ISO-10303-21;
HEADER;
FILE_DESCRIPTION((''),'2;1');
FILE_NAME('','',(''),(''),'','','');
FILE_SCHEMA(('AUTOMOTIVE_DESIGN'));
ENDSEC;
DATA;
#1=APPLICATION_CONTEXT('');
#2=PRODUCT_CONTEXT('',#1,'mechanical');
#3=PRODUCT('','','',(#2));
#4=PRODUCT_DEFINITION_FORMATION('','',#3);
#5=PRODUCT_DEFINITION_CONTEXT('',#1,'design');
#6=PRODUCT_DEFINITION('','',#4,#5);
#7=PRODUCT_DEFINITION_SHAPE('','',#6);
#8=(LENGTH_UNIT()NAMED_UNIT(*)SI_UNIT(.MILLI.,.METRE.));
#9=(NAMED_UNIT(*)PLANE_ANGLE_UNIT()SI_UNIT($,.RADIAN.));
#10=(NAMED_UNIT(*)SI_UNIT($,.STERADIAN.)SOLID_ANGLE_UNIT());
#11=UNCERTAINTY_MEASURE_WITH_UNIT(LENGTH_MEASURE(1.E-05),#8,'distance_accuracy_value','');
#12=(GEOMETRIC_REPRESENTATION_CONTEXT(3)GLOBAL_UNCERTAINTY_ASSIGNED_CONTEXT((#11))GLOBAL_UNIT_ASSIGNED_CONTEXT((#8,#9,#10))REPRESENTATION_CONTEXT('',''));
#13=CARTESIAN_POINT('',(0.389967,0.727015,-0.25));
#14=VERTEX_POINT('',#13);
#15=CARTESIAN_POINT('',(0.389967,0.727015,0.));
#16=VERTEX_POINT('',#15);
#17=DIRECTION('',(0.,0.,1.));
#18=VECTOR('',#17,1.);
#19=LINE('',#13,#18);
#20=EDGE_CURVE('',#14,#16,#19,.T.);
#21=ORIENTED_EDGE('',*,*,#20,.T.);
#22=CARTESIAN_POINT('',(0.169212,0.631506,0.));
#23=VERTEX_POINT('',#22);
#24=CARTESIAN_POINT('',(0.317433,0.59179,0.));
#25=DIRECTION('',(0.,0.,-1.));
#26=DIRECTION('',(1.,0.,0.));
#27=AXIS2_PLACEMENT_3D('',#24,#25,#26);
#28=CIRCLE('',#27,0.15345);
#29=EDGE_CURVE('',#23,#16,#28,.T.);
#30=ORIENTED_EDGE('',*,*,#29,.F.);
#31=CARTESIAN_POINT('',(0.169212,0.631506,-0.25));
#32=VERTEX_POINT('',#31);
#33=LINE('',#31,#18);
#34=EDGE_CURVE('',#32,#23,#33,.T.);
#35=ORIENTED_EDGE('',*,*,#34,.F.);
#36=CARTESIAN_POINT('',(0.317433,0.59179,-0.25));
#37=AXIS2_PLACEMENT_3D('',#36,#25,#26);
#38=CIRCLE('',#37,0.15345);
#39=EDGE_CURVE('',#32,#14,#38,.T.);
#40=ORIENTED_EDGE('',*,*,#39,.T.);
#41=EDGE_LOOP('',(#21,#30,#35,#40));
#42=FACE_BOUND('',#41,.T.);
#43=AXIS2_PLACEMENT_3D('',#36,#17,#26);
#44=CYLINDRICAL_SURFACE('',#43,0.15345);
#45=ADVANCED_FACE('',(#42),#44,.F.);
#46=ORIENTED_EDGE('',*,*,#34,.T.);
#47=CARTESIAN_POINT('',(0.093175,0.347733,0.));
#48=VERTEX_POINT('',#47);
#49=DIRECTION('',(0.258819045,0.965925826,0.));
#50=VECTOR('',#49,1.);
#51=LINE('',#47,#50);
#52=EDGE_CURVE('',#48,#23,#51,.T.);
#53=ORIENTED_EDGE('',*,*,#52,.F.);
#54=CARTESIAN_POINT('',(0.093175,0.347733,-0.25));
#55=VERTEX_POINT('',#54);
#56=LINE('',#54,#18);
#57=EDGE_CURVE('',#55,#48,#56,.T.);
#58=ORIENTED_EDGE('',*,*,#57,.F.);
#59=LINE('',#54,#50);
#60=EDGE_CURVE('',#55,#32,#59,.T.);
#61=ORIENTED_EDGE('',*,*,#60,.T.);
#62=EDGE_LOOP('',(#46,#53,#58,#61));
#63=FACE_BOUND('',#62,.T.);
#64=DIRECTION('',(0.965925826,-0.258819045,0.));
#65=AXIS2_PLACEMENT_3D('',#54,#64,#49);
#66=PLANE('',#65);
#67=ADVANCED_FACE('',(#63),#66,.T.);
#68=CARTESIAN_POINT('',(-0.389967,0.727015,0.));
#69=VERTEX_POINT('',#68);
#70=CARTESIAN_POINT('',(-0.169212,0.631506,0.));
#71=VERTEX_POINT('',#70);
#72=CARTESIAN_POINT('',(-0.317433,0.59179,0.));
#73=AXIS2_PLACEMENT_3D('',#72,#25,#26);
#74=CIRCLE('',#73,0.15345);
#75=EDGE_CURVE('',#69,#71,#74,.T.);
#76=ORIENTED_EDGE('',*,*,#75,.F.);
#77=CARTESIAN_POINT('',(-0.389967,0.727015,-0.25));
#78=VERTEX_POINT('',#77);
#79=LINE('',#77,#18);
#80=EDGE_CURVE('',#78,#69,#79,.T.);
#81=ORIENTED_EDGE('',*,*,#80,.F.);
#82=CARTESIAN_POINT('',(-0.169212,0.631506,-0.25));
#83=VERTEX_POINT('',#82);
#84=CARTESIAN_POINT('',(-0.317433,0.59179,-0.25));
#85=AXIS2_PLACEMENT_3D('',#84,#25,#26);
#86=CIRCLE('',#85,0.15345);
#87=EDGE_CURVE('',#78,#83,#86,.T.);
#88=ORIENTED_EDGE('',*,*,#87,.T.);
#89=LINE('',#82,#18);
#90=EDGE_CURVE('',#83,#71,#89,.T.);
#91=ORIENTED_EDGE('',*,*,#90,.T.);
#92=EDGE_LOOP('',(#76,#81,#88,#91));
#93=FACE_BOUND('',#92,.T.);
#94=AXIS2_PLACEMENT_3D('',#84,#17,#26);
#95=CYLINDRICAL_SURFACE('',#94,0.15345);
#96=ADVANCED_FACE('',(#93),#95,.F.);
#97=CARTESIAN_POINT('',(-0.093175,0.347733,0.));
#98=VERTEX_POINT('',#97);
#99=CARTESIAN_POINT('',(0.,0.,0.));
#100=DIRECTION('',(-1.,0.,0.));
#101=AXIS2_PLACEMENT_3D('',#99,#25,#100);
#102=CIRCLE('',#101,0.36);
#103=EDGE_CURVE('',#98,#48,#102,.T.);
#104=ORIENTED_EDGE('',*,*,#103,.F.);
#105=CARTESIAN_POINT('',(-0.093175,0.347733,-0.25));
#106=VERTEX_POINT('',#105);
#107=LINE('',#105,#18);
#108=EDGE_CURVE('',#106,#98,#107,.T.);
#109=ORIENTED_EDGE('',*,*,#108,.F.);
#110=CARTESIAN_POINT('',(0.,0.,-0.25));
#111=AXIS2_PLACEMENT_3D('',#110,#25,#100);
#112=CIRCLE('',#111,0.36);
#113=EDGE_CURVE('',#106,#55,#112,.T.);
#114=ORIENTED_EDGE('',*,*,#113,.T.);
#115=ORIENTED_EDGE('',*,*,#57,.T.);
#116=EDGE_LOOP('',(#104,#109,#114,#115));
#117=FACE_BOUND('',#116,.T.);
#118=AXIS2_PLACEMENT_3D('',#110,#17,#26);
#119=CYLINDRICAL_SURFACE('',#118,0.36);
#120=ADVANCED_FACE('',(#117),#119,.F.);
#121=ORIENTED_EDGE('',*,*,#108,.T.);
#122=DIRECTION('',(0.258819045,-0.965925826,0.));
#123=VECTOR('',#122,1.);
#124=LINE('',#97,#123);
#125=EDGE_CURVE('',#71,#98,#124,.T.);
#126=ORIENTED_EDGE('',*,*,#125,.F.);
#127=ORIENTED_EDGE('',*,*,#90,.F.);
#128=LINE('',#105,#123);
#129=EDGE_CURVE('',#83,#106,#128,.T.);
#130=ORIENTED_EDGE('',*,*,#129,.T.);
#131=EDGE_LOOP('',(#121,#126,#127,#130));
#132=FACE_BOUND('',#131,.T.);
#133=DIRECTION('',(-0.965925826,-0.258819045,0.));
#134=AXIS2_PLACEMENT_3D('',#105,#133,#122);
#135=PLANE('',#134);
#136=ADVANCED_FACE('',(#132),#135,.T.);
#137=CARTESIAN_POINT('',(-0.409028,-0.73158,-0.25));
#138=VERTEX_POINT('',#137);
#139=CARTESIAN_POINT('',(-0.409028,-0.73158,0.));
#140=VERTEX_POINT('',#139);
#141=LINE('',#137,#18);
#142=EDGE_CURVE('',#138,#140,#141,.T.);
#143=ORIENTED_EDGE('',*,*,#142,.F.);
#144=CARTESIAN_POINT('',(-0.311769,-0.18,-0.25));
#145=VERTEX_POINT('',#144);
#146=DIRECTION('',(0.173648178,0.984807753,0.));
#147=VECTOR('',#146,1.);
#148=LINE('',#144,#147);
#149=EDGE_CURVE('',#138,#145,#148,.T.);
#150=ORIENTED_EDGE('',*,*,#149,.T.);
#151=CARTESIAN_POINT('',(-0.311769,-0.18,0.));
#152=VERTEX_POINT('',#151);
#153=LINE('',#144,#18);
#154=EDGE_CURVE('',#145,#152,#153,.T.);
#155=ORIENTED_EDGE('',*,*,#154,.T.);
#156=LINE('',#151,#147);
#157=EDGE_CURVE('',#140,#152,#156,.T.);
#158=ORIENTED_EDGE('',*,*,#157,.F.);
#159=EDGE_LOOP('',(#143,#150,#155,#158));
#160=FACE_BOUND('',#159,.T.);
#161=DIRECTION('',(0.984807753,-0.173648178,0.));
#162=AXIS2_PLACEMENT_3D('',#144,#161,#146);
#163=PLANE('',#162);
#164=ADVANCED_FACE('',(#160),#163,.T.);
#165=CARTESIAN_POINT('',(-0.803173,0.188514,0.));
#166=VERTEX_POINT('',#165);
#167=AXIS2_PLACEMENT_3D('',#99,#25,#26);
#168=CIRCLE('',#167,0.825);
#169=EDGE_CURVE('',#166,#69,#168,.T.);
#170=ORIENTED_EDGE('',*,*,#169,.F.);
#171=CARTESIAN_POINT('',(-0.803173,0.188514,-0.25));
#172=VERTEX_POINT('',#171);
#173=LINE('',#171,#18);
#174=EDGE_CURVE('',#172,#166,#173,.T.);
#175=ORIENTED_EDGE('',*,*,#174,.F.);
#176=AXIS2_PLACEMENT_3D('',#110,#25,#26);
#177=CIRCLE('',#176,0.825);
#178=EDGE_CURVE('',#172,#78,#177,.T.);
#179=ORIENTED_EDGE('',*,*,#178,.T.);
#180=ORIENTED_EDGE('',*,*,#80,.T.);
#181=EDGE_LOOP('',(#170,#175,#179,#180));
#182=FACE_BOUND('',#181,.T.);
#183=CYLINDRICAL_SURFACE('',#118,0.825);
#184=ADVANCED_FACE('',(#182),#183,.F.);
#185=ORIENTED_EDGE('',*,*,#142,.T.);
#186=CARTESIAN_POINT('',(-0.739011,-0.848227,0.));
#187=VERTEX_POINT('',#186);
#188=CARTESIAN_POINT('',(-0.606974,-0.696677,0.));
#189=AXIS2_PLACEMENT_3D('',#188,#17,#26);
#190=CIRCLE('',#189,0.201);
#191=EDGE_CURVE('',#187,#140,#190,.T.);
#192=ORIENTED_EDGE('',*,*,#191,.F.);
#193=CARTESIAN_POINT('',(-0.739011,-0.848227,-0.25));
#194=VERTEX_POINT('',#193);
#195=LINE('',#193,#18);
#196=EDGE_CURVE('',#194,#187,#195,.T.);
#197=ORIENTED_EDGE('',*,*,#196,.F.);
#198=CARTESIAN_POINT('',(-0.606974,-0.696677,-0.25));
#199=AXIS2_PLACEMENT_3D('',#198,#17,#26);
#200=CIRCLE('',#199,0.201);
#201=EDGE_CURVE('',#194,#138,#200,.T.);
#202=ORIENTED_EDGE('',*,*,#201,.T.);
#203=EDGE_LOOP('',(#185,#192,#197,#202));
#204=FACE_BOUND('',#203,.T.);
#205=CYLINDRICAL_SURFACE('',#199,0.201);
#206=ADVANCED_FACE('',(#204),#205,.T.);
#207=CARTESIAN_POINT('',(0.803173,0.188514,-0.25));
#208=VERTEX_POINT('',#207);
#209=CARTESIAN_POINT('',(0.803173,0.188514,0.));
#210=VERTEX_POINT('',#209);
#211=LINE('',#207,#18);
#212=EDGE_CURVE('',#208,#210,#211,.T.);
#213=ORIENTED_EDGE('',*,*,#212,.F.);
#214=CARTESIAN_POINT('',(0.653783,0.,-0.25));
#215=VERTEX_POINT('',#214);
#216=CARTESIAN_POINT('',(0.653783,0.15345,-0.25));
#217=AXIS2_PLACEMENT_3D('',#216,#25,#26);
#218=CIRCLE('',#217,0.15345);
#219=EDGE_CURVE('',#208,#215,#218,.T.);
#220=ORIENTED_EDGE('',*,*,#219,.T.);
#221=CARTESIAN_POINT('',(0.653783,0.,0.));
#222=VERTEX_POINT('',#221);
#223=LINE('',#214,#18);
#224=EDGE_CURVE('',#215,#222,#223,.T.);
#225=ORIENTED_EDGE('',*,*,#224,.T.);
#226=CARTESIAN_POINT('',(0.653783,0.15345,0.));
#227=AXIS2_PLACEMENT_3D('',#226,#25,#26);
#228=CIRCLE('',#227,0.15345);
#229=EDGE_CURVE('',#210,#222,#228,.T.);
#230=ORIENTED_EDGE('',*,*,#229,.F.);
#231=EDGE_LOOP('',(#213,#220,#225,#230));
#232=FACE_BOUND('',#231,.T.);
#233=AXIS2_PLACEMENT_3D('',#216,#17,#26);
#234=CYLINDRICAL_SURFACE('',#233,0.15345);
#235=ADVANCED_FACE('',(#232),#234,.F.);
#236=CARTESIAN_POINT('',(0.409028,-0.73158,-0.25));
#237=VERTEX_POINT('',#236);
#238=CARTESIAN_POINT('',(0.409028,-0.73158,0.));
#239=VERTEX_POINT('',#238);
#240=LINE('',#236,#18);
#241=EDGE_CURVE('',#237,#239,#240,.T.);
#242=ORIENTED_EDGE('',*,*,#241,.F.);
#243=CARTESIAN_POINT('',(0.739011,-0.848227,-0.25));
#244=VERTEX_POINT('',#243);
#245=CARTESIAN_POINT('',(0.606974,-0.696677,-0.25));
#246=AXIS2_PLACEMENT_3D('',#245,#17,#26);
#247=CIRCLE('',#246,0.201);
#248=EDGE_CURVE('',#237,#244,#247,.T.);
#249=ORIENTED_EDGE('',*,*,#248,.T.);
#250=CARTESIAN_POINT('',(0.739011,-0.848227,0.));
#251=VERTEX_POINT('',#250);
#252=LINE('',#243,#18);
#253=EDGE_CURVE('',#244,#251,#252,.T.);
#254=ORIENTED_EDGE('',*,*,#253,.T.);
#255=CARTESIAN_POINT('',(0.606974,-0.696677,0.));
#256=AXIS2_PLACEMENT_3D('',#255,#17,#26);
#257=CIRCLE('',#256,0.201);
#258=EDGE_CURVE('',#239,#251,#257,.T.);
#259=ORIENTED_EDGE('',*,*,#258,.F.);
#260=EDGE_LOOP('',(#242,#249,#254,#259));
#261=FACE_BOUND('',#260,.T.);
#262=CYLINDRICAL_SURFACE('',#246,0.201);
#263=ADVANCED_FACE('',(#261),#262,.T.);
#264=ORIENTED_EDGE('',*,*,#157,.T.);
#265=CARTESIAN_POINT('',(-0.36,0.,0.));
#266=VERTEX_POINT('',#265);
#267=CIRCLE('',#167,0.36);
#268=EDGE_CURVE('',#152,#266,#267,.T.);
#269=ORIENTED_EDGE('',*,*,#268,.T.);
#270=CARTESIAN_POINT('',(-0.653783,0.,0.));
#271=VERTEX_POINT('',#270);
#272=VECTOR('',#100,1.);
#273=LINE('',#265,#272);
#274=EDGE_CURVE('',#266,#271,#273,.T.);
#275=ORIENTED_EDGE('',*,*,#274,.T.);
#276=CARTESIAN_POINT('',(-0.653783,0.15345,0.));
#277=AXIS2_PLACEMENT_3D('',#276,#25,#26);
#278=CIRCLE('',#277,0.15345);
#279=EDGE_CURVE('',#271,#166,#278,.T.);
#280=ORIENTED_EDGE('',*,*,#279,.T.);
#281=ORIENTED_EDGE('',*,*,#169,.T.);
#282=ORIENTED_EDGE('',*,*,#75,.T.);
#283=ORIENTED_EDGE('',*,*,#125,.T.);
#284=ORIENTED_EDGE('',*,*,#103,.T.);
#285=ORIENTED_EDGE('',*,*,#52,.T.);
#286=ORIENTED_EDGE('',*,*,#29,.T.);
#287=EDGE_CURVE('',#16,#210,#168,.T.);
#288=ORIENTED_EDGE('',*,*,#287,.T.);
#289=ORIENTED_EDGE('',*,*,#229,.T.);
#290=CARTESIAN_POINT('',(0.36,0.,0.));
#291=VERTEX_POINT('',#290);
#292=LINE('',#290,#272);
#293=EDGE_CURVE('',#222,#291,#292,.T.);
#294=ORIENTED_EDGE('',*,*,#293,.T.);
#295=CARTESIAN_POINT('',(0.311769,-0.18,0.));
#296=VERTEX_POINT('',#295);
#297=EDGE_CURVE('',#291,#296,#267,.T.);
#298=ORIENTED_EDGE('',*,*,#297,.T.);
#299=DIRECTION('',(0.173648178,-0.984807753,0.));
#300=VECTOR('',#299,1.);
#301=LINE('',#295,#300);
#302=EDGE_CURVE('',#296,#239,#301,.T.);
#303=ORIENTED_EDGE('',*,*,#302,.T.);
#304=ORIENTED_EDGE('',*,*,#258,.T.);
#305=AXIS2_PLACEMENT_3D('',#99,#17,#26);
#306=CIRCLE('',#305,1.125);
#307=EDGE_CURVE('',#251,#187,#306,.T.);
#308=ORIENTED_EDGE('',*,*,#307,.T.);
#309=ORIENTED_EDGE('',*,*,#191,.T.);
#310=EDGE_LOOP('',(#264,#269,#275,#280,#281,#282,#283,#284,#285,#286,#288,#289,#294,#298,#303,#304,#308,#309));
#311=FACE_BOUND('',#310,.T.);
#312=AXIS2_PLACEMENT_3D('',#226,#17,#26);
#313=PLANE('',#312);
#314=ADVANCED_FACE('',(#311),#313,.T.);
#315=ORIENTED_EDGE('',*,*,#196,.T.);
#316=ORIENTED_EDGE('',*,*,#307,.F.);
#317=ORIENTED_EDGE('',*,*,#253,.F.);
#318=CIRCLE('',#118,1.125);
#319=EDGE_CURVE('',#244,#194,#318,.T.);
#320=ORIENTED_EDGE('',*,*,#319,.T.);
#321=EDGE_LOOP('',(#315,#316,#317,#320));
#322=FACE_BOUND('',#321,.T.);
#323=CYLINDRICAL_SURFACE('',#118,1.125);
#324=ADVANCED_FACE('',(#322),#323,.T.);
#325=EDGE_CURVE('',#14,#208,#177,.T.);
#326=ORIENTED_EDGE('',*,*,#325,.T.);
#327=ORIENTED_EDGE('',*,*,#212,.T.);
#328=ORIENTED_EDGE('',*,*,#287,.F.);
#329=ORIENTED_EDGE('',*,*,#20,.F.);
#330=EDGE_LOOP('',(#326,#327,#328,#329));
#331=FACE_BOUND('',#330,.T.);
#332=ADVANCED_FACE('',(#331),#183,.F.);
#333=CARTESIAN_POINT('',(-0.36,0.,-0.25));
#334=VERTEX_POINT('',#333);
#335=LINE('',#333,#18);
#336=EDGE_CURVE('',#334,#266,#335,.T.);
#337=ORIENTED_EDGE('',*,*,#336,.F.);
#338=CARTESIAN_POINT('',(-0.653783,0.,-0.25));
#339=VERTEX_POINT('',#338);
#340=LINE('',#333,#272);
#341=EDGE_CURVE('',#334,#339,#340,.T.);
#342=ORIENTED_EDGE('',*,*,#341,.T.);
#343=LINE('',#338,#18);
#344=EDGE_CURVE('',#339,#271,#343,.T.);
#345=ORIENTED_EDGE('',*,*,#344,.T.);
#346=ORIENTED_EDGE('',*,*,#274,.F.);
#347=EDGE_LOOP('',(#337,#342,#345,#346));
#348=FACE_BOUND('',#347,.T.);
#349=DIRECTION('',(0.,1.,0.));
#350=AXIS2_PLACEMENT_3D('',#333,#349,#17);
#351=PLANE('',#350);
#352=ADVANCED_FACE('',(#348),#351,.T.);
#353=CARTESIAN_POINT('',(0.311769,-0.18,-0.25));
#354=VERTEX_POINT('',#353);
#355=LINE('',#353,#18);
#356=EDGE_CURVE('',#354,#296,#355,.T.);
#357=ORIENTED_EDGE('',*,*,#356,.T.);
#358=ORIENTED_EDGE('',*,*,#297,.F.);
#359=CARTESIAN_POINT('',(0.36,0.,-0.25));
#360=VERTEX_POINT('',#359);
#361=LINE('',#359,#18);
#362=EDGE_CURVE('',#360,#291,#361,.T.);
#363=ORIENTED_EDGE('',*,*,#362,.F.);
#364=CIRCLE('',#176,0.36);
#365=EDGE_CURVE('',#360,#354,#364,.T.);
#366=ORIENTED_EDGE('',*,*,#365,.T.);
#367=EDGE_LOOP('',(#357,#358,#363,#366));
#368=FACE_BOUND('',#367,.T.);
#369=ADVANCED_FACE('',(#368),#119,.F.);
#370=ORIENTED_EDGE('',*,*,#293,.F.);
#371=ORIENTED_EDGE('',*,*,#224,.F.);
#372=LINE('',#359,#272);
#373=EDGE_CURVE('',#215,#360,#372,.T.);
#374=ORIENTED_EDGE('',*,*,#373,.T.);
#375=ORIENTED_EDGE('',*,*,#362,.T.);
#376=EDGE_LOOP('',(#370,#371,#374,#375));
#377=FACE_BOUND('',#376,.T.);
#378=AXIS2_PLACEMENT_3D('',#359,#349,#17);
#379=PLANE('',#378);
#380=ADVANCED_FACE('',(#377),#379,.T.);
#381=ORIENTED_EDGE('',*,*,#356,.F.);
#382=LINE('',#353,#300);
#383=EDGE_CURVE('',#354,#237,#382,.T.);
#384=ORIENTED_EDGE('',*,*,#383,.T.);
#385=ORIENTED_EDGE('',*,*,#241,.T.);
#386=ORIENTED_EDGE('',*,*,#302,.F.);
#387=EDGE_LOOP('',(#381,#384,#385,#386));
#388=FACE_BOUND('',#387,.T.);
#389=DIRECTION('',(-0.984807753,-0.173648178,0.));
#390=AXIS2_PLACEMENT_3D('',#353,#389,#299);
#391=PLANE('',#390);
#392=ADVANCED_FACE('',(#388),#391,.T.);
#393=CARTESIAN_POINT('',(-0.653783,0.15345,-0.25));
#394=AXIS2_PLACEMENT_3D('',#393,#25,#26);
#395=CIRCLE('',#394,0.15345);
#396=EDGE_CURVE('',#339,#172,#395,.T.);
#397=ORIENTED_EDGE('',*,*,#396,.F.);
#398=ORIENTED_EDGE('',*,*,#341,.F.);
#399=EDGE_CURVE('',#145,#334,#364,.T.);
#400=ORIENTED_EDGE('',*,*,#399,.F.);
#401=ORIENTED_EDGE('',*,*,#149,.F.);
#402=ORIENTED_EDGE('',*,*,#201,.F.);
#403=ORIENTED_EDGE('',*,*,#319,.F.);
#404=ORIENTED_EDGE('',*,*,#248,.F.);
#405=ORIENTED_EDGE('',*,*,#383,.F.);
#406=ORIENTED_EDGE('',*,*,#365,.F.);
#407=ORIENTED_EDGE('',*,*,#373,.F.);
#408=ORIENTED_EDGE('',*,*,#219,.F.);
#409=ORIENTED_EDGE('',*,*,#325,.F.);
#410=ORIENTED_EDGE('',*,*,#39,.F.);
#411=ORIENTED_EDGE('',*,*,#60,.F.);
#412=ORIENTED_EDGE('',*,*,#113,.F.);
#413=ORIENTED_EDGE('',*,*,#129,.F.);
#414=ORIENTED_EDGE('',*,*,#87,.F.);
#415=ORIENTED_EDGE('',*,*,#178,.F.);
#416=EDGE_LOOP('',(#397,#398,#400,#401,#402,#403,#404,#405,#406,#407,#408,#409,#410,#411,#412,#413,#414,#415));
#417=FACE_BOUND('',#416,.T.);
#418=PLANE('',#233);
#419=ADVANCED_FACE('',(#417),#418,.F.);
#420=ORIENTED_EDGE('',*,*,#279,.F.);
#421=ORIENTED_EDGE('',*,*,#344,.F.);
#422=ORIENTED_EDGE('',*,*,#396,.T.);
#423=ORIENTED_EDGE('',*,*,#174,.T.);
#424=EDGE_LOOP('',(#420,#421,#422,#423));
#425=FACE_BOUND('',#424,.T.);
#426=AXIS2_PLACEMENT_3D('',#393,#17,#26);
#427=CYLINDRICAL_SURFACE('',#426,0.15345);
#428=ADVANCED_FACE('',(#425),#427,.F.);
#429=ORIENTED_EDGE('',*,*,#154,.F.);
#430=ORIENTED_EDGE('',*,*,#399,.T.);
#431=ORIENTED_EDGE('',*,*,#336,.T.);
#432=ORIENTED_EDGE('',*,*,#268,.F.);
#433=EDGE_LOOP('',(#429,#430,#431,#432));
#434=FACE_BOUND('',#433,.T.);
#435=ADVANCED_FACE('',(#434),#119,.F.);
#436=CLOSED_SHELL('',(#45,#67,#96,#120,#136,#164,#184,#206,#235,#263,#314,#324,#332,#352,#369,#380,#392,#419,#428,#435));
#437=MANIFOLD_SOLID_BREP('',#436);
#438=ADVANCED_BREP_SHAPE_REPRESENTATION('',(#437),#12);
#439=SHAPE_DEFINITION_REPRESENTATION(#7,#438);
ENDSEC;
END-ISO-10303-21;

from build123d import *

# Parameters (mm, degrees)
BODY_DEPTH = 0.25


with BuildPart() as part:
    # BodySke → Body (new body)
    with BuildSketch(Plane.XY):
        with BuildLine():
            Line((0.311769145, -0.18), (0.409027602, -0.731580118))
            ThreePointArc((0.409027602, -0.731580118), (0.539984184, -0.886185066), (0.739010504, -0.848226665))
            ThreePointArc((0.739010504, -0.848226665), (0, 1.125), (-0.739010504, -0.848226665))
            ThreePointArc((-0.739010504, -0.848226665), (-0.539984184, -0.886185066), (-0.409027602, -0.731580118))
            Line((-0.409027602, -0.731580118), (-0.311769145, -0.18))
            ThreePointArc((-0.311769145, -0.18), (-0.347733297, -0.093174856), (-0.36, 0))
            Line((-0.36, 0), (-0.653783221, 0))
            ThreePointArc((-0.653783221, 0), (-0.774048342, 0.05814416), (-0.80317349, 0.188513514))
            ThreePointArc((-0.80317349, 0.188513514), (-0.654516506, 0.502228179), (-0.389966667, 0.72701513))
            ThreePointArc((-0.389966667, 0.72701513), (-0.256501398, 0.732624468), (-0.169211549, 0.631506098))
            Line((-0.169211549, 0.631506098), (-0.093174856, 0.347733297))
            ThreePointArc((-0.093174856, 0.347733297), (0, 0.36), (0.093174856, 0.347733297))
            Line((0.093174856, 0.347733297), (0.169211549, 0.631506098))
            ThreePointArc((0.169211549, 0.631506098), (0.256501398, 0.732624468), (0.389966667, 0.72701513))
            ThreePointArc((0.389966667, 0.72701513), (0.654516506, 0.502228179), (0.80317349, 0.188513514))
            ThreePointArc((0.80317349, 0.188513514), (0.774048342, 0.05814416), (0.653783221, 0))
            Line((0.653783221, 0), (0.36, 0))
            ThreePointArc((0.36, 0), (0.347733297, -0.093174856), (0.311769145, -0.18))
        make_face()
    extrude(amount=-BODY_DEPTH)


solid = part.part
